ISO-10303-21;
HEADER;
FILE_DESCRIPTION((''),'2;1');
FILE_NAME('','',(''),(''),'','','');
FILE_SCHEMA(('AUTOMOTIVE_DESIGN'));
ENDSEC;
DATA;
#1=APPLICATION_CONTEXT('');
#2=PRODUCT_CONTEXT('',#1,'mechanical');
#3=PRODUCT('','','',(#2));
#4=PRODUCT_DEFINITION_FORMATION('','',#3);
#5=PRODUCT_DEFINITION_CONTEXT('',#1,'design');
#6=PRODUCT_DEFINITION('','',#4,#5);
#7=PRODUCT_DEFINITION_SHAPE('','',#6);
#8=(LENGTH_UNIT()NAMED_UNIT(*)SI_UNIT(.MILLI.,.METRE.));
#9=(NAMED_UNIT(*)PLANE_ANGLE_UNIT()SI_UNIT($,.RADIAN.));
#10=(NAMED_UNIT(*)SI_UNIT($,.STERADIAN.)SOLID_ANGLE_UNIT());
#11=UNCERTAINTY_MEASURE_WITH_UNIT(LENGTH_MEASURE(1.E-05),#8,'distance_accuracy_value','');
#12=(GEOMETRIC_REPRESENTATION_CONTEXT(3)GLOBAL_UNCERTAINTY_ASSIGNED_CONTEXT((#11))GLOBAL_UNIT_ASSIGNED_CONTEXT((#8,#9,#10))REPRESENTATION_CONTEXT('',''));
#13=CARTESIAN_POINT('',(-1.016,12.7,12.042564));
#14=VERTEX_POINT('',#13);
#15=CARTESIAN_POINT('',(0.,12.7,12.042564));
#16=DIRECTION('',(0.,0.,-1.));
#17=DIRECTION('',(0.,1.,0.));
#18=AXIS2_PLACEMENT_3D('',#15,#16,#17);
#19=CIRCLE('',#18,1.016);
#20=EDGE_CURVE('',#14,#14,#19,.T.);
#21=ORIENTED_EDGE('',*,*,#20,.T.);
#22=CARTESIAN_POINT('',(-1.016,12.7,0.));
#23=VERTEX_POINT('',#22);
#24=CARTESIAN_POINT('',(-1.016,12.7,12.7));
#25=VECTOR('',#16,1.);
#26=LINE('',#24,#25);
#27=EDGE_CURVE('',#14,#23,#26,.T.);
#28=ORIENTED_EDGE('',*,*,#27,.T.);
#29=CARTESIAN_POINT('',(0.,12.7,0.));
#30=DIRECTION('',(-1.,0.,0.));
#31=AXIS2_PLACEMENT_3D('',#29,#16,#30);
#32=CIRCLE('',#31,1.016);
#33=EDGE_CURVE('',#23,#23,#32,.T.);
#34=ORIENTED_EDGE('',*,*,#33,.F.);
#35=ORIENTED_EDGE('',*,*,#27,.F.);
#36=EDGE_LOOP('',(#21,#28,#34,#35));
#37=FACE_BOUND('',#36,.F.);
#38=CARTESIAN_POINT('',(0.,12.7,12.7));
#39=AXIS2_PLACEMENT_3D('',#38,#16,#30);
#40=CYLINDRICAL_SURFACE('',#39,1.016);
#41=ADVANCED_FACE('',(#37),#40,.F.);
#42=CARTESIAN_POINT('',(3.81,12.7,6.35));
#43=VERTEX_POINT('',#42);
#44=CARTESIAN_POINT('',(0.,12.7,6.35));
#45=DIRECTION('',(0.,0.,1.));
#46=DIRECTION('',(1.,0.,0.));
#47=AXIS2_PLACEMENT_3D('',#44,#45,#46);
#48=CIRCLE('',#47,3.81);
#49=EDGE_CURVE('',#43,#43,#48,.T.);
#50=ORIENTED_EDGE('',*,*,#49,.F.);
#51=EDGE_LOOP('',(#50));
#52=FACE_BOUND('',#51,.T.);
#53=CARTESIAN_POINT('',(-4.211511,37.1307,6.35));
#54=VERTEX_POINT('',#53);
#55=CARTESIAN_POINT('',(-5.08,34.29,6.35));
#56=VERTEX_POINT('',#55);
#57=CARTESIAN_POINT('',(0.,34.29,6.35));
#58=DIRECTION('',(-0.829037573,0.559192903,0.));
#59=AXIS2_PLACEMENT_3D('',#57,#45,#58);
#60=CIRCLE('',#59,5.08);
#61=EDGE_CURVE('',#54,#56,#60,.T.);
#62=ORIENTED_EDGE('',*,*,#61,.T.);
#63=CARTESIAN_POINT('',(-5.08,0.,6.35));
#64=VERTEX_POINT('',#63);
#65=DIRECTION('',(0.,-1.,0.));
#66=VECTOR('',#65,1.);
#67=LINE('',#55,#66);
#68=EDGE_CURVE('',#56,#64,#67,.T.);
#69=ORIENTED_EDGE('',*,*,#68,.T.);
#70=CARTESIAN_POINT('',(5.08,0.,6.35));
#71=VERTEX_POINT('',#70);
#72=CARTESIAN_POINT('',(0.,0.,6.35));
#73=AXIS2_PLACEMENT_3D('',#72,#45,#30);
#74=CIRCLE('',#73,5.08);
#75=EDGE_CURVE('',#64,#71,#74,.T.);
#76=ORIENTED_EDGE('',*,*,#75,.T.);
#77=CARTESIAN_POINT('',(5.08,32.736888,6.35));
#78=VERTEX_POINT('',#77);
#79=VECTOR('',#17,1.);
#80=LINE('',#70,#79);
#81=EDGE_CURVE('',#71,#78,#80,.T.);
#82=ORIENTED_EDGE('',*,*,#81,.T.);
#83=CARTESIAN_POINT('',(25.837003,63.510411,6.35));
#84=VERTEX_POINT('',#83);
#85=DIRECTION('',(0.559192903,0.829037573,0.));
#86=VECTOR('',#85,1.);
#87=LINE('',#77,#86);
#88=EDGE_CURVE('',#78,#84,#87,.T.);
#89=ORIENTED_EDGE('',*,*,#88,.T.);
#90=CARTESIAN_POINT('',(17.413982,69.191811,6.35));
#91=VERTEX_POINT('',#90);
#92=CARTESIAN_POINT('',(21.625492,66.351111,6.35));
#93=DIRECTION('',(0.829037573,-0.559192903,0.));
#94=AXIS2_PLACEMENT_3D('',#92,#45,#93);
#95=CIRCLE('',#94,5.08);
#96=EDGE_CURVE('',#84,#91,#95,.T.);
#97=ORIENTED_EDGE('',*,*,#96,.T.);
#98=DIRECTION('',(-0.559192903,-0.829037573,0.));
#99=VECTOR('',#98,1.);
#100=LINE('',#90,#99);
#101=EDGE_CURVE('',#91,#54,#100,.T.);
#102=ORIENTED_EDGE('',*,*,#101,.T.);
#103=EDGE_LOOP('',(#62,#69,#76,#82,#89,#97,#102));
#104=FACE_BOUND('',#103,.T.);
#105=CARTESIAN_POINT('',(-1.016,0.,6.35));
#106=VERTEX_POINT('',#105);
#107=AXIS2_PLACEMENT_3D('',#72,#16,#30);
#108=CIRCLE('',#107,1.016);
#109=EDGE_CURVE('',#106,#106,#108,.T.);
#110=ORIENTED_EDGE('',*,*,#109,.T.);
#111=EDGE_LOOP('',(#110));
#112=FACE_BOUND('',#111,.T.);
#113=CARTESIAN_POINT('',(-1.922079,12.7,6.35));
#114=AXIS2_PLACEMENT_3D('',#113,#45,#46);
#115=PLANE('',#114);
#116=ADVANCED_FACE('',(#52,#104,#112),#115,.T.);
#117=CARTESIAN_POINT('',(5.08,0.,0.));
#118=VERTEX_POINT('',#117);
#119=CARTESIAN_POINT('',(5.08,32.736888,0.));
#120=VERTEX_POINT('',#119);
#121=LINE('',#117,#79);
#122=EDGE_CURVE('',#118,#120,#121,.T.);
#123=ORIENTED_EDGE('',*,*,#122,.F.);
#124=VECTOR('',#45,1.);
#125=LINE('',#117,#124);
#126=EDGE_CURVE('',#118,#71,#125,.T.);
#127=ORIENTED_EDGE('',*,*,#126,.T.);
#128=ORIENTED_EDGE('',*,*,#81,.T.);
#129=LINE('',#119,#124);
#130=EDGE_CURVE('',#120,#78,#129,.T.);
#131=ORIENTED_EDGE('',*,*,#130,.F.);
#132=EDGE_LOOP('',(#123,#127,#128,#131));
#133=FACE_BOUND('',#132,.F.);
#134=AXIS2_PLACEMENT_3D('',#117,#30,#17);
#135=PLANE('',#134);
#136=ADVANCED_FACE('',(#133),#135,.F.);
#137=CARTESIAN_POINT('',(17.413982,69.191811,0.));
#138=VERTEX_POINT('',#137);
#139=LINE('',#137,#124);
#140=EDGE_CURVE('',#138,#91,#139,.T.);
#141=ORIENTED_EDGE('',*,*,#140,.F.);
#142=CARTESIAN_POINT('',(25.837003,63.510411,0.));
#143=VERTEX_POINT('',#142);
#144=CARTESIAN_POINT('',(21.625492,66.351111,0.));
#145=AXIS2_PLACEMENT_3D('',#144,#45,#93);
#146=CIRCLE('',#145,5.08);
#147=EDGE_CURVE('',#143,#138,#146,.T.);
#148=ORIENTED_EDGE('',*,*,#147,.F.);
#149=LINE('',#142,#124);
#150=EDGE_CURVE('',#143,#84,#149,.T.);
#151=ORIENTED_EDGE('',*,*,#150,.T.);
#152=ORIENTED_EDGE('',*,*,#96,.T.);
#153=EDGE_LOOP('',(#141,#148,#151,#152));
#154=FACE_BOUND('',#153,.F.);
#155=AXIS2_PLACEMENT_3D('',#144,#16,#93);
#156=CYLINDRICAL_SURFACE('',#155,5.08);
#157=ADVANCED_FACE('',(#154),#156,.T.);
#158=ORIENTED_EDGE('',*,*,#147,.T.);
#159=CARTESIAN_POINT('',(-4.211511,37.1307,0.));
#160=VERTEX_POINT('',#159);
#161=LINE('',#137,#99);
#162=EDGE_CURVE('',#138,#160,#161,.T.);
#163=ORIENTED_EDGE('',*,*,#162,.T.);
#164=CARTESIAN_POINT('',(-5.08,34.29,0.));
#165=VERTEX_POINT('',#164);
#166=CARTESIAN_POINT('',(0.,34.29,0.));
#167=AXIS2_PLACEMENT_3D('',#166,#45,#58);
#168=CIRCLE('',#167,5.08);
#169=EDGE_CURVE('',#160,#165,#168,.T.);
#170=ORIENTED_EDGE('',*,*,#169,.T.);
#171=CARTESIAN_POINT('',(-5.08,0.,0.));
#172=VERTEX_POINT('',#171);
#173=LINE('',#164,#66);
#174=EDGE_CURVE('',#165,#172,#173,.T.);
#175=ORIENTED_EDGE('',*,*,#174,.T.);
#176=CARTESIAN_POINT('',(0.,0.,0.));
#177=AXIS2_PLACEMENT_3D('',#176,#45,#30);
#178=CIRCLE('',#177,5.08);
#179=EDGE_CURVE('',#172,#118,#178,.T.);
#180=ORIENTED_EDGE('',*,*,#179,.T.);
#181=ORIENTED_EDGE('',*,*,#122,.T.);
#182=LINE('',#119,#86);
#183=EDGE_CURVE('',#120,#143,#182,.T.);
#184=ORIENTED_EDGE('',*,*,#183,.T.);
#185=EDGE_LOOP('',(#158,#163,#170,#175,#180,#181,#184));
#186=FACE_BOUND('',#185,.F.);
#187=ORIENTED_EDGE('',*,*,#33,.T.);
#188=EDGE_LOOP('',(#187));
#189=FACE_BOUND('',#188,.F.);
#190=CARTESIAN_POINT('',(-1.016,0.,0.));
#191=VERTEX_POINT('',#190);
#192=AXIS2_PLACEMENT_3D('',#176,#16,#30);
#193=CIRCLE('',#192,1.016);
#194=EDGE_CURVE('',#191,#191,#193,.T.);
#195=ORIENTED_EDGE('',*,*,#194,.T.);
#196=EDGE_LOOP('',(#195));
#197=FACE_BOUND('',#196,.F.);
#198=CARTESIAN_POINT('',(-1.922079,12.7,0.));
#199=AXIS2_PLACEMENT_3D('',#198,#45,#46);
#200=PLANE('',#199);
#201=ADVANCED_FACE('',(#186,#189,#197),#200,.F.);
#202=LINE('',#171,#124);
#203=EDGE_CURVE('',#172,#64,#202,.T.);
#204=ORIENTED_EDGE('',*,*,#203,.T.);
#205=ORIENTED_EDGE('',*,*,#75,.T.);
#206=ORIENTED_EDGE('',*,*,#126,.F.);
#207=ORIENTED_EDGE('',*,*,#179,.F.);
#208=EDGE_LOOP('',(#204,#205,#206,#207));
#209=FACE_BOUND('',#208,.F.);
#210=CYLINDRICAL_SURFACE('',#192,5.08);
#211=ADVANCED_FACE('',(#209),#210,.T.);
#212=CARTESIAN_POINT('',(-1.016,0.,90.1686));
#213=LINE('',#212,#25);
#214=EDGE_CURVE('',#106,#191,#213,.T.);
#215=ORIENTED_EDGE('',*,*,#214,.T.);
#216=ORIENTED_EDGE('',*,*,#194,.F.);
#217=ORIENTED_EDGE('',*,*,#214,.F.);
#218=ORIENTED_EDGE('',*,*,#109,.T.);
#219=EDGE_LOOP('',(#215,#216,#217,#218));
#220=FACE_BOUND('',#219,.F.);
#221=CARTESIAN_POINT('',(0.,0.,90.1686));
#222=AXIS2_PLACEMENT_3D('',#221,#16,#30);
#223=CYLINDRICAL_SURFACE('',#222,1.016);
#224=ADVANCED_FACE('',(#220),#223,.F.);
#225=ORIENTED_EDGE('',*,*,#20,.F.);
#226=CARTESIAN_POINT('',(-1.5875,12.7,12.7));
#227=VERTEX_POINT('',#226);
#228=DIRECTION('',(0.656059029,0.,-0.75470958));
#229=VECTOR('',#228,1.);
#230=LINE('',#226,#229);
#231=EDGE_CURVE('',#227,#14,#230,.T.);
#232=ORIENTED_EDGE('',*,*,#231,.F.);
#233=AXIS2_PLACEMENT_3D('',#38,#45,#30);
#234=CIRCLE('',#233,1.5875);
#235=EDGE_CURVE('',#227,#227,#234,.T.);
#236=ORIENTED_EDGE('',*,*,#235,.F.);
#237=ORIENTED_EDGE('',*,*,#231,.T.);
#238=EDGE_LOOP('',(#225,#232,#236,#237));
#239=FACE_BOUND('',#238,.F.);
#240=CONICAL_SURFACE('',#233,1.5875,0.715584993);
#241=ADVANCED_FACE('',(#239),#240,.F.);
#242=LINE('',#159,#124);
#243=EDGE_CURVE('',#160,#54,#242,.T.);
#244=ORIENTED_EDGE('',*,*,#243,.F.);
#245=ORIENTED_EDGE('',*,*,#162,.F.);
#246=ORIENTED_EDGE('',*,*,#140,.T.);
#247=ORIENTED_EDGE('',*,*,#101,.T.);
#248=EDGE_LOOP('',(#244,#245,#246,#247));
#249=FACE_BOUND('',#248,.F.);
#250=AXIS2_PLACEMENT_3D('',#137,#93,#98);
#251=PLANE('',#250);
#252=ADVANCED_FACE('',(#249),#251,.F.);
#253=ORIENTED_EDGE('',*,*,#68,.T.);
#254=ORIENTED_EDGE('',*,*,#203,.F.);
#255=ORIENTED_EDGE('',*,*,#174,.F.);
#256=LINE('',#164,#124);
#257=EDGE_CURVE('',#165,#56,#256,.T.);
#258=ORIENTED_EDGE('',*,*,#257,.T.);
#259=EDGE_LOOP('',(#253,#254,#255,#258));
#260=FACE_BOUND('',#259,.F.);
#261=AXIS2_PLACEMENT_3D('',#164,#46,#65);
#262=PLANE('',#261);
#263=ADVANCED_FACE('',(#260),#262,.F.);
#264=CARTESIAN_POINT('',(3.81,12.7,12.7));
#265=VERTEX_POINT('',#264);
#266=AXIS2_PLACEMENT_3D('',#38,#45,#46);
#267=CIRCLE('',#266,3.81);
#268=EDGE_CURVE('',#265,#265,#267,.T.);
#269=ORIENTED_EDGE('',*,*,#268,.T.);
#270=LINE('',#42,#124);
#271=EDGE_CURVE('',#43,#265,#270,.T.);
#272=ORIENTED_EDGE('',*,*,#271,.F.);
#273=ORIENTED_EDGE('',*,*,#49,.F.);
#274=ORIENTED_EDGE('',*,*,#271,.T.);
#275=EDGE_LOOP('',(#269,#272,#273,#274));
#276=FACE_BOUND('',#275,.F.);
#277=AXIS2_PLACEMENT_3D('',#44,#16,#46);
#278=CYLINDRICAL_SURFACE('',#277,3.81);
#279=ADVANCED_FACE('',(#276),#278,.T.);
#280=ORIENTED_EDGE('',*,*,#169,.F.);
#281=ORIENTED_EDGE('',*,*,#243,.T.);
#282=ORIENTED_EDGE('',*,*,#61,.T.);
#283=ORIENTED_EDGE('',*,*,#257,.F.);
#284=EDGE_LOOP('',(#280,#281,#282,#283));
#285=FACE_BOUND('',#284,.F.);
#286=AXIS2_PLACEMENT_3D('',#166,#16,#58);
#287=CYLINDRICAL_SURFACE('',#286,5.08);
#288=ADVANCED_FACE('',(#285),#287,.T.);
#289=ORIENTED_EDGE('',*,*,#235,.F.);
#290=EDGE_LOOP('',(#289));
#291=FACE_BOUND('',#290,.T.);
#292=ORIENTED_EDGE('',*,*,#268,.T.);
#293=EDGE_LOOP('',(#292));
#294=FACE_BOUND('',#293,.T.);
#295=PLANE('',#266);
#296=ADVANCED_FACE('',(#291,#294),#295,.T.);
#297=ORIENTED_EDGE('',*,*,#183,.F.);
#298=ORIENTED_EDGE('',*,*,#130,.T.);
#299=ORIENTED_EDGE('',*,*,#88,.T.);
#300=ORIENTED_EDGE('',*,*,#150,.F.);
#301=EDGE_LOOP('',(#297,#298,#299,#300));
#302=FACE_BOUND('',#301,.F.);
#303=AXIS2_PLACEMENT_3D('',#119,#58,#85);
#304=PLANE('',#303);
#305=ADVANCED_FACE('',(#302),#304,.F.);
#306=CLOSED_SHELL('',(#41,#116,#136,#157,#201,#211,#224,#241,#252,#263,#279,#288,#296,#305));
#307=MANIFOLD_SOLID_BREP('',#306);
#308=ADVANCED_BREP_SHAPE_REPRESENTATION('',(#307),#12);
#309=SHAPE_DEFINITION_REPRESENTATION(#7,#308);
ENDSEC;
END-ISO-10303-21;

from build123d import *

# Parameters (mm, degrees)
F1_DEPTH       = 6.35
F2_R           = 3.81
F3_DEPTH       = 6.35
F5_D           = 2.032
F5_CSINK_D     = 3.175
F5_CSINK_ANGLE = 82
F7_D           = 2.032


with BuildPart() as f1:
    # F0 (on Top) → F1 (new body)
    with BuildSketch(Plane.XY):
        with BuildLine():
            ThreePointArc((-5.08, 12.7), (-3.5921024484, 9.1078975516), (0, 7.62))
            Line((0, 7.62), (0, 12.7))
            Line((0, 12.7), (0, 17.78))
            ThreePointArc((0, 17.78), (-3.5921024484, 16.2921024484), (-5.08, 12.7))
        make_face()
        with BuildLine():
            Line((0, 12.7), (0, 7.62))
            ThreePointArc((0, 7.62), (3.5921024484, 9.1078975516), (5.08, 12.7))
            ThreePointArc((5.08, 12.7), (3.5921024484, 16.2921024484), (0, 17.78))
            Line((0, 17.78), (0, 12.7))
        make_face()
        with BuildLine():
            ThreePointArc((5.08, 12.7), (3.5921024484, 9.1078975516), (0, 7.62))
            ThreePointArc((0, 7.62), (-3.5921024484, 9.1078975516), (-5.08, 12.7))
            Line((-5.08, 12.7), (-5.08, 0))
            ThreePointArc((-5.08, 0), (0, -5.08), (5.08, 0))
            Line((5.08, 0), (5.08, 12.7))
        make_face()
        with BuildLine():
            ThreePointArc((0, 17.78), (3.5921024484, 16.2921024484), (5.08, 12.7))
            Line((5.08, 12.7), (5.08, 32.7368881382))
            Line((5.08, 32.7368881382), (4.2115108686, 31.4493000504))
            ThreePointArc((4.2115108686, 31.4493000504), (2.384915539, 29.8046262283), (0, 29.21))
            Line((0, 29.21), (0, 17.78))
        make_face()
        with BuildLine():
            Line((-5.08, 34.29), (-5.08, 12.7))
            ThreePointArc((-5.08, 12.7), (-3.5921024484, 16.2921024484), (0, 17.78))
            Line((0, 17.78), (0, 29.21))
            ThreePointArc((0, 29.21), (-3.5921024484, 30.6978975516), (-5.08, 34.29))
        make_face()
        with BuildLine():
            Line((4.2115108686, 31.4493000504), (5.08, 32.7368881382))
            Line((5.08, 32.7368881382), (5.08, 34.29))
            ThreePointArc((5.08, 34.29), (4.4853737717, 36.674915539), (2.8406999496, 38.5015108686))
            Line((2.8406999496, 38.5015108686), (0, 34.29))
            Line((0, 34.29), (0, 29.21))
            ThreePointArc((0, 29.21), (2.384915539, 29.8046262283), (4.2115108686, 31.4493000504))
        make_face()
        with BuildLine():
            Line((5.08, 34.29), (5.08, 32.7368881382))
            Line((5.08, 32.7368881382), (25.8370032919, 63.5104110421))
            ThreePointArc((25.8370032919, 63.5104110421), (24.466192373, 70.5626218603), (17.4139815548, 69.1918109413))
            Line((17.4139815548, 69.1918109413), (-4.2115108686, 37.1306999496))
            ThreePointArc((-4.2115108686, 37.1306999496), (-0.9693096965, 39.2766660919), (2.8406999496, 38.5015108686))
            ThreePointArc((2.8406999496, 38.5015108686), (4.4853737717, 36.674915539), (5.08, 34.29))
        make_face()
        with BuildLine():
            ThreePointArc((-4.2115108686, 37.1306999496), (-4.8580281603, 35.77524826), (-5.08, 34.29))
            ThreePointArc((-5.08, 34.29), (-3.5921024484, 30.6978975516), (0, 29.21))
            Line((0, 29.21), (0, 34.29))
            Line((0, 34.29), (2.8406999496, 38.5015108686))
            ThreePointArc((2.8406999496, 38.5015108686), (-0.9693096965, 39.2766660919), (-4.2115108686, 37.1306999496))
        make_face()
    extrude(amount=F1_DEPTH)

    # F2 (on face) → F3 (join)
    with BuildSketch(Plane.XY.offset(6.35)):
        with Locations((0, 12.7)):
            Circle(F2_R)
    extrude(amount=F3_DEPTH)

    # F5 (through all)
    with Locations(Plane.XY.offset(12.7)):
        with Locations((0, 12.7)):
            CounterSinkHole(F5_D / 2, F5_CSINK_D / 2, counter_sink_angle=F5_CSINK_ANGLE)

    # F7 (through all)
    with Locations(Plane.XY.offset(6.35)):
        with Locations((0, 0)):
            Hole(F7_D / 2)


solid = f1.part
